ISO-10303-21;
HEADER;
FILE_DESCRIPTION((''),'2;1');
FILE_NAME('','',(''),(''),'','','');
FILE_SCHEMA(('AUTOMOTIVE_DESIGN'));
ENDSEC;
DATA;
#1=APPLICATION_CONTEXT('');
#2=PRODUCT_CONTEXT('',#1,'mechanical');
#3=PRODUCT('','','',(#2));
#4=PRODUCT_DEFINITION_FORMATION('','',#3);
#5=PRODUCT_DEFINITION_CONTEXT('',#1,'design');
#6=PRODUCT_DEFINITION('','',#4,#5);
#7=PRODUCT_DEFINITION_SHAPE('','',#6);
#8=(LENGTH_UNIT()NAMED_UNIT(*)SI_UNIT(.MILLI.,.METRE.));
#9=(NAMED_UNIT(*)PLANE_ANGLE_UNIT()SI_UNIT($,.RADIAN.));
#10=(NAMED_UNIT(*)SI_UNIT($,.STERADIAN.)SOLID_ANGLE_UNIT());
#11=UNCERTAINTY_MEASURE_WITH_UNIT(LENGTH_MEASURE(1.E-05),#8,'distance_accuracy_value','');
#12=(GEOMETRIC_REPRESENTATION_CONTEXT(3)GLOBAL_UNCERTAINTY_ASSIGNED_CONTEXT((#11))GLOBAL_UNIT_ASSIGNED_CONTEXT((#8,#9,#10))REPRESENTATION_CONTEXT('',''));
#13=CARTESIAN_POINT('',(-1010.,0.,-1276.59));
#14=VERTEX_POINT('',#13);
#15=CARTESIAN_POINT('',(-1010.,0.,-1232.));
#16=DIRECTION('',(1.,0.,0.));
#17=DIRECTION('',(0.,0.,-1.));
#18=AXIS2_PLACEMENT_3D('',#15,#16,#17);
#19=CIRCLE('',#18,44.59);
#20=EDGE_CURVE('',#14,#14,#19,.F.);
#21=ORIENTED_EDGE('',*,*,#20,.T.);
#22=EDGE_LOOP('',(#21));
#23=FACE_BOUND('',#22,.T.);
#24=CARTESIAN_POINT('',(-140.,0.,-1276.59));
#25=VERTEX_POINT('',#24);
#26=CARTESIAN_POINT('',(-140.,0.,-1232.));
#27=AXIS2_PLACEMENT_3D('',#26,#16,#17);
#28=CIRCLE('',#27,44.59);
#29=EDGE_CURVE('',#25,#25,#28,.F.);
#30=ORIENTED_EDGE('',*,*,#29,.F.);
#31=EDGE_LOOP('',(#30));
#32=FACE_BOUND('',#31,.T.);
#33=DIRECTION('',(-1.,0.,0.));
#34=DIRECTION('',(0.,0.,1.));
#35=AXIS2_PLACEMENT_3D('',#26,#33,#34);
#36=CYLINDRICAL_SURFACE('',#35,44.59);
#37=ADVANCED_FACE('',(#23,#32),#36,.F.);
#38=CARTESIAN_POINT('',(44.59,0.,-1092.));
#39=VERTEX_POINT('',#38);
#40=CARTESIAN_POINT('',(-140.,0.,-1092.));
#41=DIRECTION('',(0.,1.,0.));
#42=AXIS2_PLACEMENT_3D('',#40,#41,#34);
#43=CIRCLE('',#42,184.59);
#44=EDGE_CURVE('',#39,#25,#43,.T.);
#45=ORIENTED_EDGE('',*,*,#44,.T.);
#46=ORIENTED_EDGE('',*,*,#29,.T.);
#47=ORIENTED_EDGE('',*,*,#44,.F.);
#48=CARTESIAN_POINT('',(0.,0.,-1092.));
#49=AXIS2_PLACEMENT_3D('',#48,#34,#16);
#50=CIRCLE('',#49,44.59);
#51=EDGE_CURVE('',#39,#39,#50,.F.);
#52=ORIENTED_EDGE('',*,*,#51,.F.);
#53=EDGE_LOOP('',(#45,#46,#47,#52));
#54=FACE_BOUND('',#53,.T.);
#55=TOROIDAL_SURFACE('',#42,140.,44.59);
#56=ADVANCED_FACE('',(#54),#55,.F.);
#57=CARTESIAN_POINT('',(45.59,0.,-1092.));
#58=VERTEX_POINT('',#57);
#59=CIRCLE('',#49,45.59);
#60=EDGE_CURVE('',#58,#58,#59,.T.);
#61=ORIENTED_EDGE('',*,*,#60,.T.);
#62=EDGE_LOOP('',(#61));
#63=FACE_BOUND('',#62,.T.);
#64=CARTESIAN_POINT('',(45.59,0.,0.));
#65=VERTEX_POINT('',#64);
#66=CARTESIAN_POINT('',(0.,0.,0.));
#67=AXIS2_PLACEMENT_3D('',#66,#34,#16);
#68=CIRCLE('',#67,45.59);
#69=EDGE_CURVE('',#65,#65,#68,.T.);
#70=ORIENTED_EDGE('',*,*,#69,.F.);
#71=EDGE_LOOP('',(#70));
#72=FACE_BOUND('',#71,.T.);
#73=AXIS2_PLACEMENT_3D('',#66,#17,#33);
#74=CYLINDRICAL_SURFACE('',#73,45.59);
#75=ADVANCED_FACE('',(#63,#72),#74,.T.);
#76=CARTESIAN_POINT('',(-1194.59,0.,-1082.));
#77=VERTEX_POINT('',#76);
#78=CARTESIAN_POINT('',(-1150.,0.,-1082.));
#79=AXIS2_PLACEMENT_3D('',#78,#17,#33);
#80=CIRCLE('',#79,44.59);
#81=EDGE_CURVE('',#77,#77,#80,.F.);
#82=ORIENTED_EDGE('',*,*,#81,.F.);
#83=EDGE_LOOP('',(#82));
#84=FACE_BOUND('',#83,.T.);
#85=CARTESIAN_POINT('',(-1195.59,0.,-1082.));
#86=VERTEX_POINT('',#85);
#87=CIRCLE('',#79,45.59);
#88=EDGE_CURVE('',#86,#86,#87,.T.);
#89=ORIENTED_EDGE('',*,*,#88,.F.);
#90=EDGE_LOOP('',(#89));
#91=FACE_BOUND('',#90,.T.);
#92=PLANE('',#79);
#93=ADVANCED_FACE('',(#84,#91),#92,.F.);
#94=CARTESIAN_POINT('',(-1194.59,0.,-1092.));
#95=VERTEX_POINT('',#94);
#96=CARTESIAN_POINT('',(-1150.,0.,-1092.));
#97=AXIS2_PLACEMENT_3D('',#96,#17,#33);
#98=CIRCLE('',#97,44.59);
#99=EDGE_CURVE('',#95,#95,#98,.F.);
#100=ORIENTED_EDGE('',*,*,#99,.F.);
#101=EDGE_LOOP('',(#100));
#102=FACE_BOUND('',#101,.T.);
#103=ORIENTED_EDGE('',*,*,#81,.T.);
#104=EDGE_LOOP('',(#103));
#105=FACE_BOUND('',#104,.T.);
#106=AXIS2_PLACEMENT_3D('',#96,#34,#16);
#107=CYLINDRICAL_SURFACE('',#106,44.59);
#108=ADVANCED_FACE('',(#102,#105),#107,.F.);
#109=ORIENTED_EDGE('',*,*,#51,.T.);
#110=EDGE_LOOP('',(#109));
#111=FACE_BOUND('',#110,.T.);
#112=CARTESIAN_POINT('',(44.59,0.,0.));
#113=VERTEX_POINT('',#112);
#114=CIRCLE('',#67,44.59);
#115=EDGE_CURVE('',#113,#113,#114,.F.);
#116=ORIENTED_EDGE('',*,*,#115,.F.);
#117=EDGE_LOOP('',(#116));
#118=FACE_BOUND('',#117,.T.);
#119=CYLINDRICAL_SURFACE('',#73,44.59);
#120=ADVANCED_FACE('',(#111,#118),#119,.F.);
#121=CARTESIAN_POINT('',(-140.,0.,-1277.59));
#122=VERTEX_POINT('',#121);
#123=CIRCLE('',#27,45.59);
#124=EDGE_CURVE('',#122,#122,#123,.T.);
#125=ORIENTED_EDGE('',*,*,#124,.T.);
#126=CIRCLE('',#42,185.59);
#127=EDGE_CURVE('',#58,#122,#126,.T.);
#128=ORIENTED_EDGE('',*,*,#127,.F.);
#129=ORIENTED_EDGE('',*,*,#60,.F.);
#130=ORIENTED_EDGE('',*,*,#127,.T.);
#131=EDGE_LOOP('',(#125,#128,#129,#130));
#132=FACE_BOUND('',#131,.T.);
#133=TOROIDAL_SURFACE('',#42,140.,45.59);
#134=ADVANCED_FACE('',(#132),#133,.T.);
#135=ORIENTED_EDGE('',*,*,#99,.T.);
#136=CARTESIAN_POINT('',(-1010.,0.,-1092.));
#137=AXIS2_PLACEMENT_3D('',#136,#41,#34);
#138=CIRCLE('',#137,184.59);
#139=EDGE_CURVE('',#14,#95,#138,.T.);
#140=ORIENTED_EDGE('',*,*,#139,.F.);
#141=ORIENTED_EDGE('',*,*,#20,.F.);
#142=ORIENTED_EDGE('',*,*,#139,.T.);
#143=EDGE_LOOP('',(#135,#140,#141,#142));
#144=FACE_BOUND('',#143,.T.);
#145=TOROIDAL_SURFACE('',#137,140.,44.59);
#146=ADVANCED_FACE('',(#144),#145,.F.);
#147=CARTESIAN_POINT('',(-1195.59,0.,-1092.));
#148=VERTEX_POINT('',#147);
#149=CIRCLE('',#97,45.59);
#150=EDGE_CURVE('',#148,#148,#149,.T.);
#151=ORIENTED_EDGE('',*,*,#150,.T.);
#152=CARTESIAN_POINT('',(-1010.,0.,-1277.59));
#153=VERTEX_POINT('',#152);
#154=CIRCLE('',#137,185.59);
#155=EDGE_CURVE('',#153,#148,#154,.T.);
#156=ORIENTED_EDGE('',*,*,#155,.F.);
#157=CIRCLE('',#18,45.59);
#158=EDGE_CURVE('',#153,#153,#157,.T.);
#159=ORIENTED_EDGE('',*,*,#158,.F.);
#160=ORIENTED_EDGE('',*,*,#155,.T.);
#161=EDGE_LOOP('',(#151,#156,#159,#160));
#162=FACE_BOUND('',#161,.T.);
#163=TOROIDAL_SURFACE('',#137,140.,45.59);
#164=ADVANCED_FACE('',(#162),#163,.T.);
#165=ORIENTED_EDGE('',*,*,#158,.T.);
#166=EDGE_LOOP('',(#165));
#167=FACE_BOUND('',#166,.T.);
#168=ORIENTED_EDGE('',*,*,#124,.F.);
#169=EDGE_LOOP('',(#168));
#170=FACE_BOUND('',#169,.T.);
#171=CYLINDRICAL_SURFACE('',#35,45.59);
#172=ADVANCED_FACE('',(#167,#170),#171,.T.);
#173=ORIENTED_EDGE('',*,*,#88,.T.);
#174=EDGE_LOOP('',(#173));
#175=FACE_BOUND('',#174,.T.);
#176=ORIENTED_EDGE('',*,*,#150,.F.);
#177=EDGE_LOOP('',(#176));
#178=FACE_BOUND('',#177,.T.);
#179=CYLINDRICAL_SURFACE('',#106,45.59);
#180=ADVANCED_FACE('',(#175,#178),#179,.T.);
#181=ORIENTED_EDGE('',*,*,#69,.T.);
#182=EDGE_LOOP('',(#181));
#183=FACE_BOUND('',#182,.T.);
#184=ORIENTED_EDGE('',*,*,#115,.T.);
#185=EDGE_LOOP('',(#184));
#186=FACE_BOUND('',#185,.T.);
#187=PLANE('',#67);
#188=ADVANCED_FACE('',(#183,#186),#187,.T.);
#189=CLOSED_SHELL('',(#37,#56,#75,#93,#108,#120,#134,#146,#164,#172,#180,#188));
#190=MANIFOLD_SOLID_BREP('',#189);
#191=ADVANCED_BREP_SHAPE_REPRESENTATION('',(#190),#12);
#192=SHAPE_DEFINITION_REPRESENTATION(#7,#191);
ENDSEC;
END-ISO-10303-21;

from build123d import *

# Parameters (mm, degrees)
SKETCH2_R   = 45.59
SKETCH2_R_2 = 44.59


with BuildPart() as part:
    # Sweep2: sweep along a path in Sketch1
    with BuildLine(Plane(origin=(0, 0, 0), x_dir=(1, 0, 0), z_dir=(0, 1, 0))) as sweep2_path:
        Line((0, 0), (0, 1092))
        ThreePointArc((0, 1092), (-41.005050634, 1190.994949366), (-140, 1232))
        Line((-140, 1232), (-1010, 1232))
        ThreePointArc((-1010, 1232), (-1108.994949366, 1190.994949366), (-1150, 1092))
        Line((-1150, 1092), (-1150, 1082))
    # Sketch2 → Sweep2 (sweep)
    with BuildSketch(Plane.XY):
        Circle(SKETCH2_R)
        Circle(SKETCH2_R_2, mode=Mode.SUBTRACT)
    sweep(path=sweep2_path.line)


solid = part.part
